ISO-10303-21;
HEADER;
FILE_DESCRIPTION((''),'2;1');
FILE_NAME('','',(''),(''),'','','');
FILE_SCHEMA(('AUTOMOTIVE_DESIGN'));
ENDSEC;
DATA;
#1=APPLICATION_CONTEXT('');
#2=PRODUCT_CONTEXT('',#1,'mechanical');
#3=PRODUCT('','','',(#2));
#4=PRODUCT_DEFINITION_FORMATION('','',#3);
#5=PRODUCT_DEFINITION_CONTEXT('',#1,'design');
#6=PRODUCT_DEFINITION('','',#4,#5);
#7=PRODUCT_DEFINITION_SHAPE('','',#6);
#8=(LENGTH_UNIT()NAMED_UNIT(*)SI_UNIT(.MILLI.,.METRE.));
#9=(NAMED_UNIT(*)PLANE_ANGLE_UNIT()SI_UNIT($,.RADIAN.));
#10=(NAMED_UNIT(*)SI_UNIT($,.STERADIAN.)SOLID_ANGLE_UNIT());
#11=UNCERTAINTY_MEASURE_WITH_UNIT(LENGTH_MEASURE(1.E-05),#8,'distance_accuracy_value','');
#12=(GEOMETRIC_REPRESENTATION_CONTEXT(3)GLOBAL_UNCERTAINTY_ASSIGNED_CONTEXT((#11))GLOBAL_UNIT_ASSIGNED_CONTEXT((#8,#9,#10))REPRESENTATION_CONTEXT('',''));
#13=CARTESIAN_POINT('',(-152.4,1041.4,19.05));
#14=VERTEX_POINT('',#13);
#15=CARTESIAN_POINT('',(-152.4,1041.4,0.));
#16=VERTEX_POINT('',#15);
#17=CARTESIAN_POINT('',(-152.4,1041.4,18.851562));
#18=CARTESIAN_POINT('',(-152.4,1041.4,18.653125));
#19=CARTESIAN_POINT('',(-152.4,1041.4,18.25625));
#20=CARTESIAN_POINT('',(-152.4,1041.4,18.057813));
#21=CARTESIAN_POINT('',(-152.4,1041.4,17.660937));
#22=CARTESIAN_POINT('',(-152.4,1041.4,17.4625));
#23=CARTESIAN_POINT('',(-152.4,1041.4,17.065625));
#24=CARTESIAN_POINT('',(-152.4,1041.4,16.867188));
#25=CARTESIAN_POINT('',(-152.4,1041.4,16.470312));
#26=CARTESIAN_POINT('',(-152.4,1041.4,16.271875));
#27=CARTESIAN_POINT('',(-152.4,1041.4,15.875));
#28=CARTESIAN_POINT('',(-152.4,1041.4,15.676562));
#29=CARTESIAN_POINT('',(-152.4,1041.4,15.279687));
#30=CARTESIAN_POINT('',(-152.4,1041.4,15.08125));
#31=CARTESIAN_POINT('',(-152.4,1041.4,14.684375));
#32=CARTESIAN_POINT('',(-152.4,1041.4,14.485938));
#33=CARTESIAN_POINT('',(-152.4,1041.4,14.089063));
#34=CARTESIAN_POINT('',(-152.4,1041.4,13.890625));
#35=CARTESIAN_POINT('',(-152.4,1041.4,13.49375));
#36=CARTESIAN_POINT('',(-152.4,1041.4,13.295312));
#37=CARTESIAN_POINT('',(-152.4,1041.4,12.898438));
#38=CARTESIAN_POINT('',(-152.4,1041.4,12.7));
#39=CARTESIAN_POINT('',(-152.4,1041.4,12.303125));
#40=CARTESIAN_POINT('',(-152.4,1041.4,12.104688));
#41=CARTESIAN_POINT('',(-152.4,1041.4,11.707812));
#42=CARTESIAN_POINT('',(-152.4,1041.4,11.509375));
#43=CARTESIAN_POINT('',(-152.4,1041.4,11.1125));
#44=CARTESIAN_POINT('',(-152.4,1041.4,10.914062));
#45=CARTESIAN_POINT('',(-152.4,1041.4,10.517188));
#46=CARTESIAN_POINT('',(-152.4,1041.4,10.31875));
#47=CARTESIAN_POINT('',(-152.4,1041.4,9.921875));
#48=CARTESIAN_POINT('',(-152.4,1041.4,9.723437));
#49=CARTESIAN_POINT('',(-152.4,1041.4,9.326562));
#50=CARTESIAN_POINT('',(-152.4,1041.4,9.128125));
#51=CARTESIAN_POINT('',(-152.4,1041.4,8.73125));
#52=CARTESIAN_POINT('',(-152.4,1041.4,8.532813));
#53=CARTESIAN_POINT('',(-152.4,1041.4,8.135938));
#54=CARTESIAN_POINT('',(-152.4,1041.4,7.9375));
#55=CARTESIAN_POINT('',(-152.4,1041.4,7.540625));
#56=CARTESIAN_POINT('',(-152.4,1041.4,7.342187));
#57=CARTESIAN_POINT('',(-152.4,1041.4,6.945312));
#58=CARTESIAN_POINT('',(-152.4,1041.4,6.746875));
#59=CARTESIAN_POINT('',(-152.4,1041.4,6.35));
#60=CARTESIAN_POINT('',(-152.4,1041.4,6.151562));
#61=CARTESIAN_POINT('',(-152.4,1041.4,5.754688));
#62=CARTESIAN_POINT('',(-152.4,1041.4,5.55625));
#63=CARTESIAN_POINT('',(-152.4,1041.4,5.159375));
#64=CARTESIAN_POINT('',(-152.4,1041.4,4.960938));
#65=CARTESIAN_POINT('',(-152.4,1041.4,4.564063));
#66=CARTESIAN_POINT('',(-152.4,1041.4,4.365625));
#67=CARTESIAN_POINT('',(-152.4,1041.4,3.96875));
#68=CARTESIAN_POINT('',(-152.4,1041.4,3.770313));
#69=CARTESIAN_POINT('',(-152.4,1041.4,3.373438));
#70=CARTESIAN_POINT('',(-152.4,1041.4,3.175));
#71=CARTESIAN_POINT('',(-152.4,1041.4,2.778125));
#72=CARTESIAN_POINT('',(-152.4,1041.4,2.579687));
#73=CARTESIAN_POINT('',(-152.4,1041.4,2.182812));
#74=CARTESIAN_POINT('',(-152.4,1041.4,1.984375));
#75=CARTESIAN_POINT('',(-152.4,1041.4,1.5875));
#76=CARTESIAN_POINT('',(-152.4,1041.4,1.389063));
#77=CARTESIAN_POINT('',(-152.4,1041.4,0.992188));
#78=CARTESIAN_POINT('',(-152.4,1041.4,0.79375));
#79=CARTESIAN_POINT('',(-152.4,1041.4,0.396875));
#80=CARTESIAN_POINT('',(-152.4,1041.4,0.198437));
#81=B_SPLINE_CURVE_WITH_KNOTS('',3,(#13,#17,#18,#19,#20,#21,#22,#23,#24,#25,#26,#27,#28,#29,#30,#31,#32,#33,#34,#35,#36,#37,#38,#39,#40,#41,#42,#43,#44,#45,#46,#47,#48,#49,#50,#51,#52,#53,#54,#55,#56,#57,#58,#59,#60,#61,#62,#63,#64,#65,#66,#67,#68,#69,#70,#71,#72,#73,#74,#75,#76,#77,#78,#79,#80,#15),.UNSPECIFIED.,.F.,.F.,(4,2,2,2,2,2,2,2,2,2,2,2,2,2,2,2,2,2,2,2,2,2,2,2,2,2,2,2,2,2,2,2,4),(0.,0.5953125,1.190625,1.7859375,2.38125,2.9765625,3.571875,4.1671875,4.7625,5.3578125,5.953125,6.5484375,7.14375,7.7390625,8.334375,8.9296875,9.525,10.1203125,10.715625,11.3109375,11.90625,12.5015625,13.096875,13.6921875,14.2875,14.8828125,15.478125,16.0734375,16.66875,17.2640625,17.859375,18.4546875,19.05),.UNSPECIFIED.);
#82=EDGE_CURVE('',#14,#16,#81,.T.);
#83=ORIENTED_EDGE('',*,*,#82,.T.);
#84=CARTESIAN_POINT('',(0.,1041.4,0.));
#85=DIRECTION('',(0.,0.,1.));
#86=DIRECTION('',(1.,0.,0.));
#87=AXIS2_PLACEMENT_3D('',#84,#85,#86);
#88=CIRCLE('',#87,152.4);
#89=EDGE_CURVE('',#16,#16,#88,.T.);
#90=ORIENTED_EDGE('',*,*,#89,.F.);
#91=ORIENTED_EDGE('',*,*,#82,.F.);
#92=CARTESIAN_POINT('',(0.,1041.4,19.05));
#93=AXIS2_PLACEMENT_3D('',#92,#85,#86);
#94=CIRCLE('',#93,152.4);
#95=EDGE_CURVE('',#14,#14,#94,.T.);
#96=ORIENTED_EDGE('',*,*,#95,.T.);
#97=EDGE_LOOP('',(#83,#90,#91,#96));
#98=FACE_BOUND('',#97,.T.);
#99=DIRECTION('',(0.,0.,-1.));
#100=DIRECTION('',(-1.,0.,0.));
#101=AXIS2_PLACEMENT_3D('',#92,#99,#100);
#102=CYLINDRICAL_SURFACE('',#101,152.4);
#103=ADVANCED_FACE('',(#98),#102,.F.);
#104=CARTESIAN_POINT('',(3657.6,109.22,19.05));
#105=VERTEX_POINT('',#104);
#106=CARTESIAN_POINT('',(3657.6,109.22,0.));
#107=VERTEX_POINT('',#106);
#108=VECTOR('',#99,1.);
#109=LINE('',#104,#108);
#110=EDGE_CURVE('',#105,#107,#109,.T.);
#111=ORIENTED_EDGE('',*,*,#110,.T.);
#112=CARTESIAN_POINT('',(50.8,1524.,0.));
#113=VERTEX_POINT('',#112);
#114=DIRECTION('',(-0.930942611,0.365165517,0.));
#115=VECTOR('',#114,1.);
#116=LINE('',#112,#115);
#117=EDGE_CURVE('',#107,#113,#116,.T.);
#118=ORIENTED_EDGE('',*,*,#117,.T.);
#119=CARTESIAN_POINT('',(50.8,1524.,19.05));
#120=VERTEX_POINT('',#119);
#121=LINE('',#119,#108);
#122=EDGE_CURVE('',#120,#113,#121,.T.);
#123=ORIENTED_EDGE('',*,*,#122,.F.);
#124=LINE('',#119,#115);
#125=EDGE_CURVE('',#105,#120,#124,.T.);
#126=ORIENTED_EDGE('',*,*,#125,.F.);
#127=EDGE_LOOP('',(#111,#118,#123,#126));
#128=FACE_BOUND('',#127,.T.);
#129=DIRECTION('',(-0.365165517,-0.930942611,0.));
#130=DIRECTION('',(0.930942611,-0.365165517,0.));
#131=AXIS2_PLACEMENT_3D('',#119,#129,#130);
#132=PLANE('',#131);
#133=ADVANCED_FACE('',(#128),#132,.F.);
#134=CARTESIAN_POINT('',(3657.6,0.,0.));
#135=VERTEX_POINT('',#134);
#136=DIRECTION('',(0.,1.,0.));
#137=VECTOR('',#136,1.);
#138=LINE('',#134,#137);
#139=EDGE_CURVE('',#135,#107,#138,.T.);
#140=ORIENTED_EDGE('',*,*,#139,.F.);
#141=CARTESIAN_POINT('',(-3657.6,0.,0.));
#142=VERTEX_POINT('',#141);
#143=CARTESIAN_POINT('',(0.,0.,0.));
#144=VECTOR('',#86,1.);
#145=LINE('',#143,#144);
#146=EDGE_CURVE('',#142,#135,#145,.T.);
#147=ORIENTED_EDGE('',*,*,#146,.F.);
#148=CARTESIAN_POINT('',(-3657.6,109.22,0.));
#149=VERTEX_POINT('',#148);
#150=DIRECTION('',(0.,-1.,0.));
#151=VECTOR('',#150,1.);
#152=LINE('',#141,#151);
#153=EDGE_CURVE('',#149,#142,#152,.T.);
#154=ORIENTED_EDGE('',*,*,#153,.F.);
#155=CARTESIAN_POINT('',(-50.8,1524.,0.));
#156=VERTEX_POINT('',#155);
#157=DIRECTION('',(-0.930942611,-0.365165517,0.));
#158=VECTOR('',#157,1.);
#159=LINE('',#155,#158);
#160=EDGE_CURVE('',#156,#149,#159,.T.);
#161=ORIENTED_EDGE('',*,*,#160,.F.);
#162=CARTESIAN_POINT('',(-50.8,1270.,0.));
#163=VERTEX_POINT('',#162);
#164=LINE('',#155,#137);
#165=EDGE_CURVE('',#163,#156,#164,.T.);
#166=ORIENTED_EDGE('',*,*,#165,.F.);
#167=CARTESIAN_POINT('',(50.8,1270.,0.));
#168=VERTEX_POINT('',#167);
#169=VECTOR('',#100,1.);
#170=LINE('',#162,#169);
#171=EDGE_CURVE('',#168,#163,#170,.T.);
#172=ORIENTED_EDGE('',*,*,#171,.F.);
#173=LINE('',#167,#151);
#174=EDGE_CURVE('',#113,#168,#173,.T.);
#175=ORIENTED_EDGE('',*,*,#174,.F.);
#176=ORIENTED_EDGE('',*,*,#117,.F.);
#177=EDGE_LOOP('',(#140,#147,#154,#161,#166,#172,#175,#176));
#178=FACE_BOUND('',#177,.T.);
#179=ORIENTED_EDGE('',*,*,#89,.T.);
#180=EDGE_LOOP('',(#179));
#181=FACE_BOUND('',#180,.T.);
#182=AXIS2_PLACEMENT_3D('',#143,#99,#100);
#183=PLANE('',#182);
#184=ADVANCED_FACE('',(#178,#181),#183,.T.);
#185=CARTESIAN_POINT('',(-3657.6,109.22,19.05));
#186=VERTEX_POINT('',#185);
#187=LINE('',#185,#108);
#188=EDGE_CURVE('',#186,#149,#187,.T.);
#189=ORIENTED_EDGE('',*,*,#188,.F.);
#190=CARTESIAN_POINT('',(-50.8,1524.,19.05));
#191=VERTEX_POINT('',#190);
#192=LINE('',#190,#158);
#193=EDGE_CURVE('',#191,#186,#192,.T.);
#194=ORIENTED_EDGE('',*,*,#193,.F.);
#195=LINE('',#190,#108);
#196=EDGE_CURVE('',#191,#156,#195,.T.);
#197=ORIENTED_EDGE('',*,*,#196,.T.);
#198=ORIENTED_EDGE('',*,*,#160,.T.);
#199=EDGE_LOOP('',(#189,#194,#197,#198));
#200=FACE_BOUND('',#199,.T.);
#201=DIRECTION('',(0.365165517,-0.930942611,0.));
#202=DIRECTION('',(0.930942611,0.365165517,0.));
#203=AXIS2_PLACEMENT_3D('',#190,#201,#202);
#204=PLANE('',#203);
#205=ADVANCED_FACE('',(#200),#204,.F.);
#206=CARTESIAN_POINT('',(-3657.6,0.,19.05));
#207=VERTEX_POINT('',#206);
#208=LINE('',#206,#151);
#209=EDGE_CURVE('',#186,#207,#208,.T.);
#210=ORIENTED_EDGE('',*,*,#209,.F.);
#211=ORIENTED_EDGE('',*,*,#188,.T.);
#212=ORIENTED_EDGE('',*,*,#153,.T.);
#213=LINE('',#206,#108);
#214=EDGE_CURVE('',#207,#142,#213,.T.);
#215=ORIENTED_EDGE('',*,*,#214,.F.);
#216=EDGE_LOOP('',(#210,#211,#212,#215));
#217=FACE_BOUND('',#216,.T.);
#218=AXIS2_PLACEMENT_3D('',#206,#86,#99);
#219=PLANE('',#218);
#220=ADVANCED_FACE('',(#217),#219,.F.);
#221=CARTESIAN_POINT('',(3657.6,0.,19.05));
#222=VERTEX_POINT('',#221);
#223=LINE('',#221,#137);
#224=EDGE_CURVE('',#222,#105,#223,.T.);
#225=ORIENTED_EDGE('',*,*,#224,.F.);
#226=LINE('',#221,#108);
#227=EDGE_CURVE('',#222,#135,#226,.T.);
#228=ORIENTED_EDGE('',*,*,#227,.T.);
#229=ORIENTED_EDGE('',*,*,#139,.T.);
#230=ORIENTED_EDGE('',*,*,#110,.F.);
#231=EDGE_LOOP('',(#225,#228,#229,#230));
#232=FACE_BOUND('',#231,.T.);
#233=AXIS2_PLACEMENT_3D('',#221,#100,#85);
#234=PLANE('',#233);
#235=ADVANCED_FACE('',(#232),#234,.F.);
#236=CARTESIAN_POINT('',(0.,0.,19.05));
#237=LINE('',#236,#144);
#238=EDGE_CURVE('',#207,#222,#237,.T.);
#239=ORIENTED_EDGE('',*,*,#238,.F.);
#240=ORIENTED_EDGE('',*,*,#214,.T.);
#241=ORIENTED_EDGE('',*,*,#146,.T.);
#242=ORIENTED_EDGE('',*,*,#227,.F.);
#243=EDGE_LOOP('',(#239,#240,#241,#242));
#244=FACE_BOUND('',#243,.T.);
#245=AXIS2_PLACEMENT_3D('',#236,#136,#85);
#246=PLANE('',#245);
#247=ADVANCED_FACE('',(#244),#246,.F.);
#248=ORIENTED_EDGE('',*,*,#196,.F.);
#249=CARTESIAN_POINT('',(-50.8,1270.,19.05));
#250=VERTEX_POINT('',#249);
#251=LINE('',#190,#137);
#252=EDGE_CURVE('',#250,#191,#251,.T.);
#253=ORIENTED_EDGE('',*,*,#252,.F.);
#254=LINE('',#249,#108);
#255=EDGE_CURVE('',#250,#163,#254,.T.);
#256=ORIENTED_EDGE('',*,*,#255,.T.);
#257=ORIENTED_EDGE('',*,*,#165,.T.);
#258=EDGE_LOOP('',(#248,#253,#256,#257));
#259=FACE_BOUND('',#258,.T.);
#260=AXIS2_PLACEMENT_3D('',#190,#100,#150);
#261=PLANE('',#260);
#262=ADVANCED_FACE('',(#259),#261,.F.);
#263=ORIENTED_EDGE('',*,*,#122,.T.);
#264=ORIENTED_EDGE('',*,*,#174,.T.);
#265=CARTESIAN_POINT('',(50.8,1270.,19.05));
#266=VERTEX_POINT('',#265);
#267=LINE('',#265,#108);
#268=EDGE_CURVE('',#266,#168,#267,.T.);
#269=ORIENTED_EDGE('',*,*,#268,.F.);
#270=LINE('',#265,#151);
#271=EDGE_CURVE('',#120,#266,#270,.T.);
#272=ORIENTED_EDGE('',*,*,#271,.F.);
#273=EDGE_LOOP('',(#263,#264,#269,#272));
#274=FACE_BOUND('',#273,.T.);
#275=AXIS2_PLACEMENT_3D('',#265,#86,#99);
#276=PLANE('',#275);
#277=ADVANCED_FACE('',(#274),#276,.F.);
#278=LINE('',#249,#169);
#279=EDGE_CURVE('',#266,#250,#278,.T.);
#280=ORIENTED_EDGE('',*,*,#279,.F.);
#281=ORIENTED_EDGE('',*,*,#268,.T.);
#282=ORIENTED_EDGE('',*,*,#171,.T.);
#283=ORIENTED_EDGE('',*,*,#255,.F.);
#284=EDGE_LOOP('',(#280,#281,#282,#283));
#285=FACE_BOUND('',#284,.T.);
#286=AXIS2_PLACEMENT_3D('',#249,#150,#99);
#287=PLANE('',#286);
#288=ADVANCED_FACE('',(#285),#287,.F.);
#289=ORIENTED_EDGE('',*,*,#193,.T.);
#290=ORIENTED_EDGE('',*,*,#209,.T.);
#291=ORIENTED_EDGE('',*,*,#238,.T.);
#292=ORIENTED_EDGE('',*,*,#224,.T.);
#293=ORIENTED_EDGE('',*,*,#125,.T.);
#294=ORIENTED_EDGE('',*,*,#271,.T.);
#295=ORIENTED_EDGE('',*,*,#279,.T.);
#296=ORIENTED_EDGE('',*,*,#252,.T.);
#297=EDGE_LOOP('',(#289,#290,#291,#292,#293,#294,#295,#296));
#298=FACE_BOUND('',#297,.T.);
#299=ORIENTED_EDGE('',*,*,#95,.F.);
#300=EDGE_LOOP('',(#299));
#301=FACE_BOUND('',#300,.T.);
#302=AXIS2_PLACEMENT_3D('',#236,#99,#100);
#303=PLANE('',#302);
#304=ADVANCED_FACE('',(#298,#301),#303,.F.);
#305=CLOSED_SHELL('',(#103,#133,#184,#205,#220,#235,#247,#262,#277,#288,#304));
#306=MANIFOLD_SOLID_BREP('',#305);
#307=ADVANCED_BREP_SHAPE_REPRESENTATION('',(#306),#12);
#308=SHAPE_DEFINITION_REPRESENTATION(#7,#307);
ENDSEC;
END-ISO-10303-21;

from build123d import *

# Parameters (mm, degrees)
SKETCH1_R           = 152.4
BOSS_EXTRUDE1_DEPTH = 19.05


with BuildPart() as part:
    # Sketch1 → Boss-Extrude1 (new body)
    with BuildSketch(Plane.XY):
        Polygon((0, 0), (3657.6, 0), (3657.6, 109.22), (50.8, 1524), (50.8, 1270), (-50.8, 1270), (-50.8, 1524), (-3657.6, 109.22), (-3657.6, 0), align=None)
        with Locations(Location((0, 1041.4, 0), (0, 0, 180))):
            Circle(SKETCH1_R, mode=Mode.SUBTRACT)
    extrude(amount=BOSS_EXTRUDE1_DEPTH)


solid = part.part
